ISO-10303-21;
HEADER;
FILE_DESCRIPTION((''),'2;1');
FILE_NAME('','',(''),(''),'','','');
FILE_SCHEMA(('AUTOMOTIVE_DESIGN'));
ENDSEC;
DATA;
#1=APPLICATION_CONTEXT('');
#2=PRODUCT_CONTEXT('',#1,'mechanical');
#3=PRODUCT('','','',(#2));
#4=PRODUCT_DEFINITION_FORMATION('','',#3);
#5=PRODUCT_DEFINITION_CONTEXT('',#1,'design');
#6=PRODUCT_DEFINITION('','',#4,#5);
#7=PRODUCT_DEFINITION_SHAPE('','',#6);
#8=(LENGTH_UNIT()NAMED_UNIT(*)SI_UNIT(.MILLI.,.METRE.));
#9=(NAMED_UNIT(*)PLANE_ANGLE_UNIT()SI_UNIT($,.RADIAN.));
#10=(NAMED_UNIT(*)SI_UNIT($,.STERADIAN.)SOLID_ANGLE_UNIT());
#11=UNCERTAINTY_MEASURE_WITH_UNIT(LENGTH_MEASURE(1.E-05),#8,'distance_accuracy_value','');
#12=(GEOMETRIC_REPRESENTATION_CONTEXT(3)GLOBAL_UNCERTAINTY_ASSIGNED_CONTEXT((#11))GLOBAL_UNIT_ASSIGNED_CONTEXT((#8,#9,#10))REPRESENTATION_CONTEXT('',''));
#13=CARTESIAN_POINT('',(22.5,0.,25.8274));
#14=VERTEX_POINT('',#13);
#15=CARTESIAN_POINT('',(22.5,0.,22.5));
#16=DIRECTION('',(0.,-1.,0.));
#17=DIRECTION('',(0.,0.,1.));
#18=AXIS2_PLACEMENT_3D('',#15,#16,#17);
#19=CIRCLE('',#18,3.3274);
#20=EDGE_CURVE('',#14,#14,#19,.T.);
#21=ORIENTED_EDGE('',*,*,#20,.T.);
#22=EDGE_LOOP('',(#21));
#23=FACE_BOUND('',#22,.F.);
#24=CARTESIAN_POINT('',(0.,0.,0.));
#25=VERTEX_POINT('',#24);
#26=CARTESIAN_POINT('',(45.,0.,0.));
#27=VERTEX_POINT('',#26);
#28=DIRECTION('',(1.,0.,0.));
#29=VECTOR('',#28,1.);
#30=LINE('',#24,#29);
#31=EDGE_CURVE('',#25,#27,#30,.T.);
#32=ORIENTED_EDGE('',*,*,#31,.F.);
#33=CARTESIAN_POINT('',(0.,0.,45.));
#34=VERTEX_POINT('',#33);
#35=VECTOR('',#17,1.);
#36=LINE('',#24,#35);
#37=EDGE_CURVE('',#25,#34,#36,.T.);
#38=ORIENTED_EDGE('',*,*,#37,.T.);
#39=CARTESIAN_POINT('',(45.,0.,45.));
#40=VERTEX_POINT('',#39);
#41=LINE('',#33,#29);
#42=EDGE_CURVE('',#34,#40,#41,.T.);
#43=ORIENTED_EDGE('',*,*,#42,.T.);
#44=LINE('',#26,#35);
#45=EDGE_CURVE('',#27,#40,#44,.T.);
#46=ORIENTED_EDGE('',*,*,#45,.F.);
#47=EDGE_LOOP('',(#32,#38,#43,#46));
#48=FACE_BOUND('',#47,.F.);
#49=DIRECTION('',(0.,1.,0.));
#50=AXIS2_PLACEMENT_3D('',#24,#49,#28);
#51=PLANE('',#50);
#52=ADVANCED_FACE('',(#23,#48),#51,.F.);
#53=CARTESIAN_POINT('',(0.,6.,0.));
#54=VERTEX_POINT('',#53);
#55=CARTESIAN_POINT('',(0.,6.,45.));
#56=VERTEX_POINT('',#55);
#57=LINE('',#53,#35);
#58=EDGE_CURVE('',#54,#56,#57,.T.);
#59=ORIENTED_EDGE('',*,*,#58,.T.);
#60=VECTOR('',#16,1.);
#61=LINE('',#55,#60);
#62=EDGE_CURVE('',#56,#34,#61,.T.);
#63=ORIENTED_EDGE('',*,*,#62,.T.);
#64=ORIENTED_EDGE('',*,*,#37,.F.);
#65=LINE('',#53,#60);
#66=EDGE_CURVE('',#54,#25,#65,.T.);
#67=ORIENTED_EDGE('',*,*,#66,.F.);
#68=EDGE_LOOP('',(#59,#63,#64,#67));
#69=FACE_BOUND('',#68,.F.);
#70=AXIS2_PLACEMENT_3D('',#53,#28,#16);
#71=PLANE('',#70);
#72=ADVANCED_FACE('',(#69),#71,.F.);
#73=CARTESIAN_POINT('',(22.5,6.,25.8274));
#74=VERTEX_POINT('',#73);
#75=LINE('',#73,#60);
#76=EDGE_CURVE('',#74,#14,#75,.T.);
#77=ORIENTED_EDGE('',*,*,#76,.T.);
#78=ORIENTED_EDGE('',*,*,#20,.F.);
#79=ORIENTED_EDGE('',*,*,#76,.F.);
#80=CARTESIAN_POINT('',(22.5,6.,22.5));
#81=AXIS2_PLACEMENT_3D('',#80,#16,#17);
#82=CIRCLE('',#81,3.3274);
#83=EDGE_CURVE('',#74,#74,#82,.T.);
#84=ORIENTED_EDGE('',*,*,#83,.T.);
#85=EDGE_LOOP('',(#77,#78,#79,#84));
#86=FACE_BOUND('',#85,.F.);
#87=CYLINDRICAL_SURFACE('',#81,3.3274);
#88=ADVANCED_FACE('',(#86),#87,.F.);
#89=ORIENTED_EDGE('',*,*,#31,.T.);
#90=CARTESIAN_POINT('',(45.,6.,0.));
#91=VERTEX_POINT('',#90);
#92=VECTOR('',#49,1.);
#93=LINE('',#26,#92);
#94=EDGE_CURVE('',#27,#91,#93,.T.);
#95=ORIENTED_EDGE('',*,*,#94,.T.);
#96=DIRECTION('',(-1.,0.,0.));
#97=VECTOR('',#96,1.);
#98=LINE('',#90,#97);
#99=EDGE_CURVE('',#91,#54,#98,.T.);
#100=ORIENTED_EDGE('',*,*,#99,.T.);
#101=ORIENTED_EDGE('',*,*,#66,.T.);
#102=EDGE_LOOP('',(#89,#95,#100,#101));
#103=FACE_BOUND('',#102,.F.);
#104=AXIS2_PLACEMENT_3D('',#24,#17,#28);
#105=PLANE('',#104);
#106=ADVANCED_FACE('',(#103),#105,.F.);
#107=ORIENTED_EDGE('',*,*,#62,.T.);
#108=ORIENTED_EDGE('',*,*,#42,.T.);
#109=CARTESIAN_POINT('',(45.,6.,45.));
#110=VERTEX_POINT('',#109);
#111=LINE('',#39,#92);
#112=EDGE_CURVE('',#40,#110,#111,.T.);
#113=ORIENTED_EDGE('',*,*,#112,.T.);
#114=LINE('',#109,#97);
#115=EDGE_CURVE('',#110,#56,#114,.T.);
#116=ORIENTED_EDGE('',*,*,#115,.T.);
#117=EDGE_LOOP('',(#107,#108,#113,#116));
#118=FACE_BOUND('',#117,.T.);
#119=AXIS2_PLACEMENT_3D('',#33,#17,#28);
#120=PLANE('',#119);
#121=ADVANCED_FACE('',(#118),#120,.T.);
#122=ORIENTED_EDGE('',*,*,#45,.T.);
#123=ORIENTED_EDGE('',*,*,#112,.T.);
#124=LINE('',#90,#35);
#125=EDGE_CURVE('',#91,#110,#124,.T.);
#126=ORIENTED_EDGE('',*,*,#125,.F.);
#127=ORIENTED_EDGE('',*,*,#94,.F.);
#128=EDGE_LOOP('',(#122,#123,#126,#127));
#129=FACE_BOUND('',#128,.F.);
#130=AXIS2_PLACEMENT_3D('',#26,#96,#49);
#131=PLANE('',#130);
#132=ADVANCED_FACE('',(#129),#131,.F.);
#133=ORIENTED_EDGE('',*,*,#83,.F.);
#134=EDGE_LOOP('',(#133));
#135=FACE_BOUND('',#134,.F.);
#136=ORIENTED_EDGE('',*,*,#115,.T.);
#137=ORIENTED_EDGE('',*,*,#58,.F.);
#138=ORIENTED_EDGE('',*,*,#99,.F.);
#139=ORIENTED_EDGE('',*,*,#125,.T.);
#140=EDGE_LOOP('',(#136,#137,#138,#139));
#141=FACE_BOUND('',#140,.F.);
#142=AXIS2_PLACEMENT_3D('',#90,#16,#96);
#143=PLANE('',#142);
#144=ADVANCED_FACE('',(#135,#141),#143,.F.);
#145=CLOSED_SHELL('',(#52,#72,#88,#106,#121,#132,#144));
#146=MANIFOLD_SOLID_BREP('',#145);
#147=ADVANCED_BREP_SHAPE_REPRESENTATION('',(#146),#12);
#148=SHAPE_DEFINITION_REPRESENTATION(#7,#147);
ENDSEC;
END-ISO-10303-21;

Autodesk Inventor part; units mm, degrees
ref_plane "YZ Plane" through (0, 0, 0) normal (1, 0, 0) x (0, 1, 0)
ref_plane "XZ Plane" through (0, 0, 0) normal (0, 1, 0) x (-1, 0, 0)
ref_plane "XY Plane" through (0, 0, 0) normal (0, 0, 1) x (1, 0, 0)
sketch "Sketch1" plane through (0, 0, 0) normal (0, 0, 1) x (1, 0, 0)
  line L0 (0, 0) -> (45, 0)
  line L1 (45, 0) -> (45, 6)
  line L2 (45, 6) -> (0, 6)
  line L3 (0, 6) -> (0, 0)
  dimension "d25" = 6
  dimension "d26" = 45
extrude "Extrusion1" add sketch "Sketch1" along normal blind 45
sketch "Sketch5" plane through (0, 6, 0) normal (0, 1, 0) x (1, 0, 0)
  line L0 (45, 0) -> (45, -45) projected
  line L1 (45, 0) -> (0, 0) projected
  point P0 (22.5, -22.5)
  dimension "d27" = 22.5
  dimension "d28" = 22.5
hole "Hole2" at (22.5, 6, 22.5) direction (0, -1, 0) diameter 6.6548 end through all
equation "\"d28\" = d27"
properties part number "093P45LN Back Plate" material "Aluminum-6061"
